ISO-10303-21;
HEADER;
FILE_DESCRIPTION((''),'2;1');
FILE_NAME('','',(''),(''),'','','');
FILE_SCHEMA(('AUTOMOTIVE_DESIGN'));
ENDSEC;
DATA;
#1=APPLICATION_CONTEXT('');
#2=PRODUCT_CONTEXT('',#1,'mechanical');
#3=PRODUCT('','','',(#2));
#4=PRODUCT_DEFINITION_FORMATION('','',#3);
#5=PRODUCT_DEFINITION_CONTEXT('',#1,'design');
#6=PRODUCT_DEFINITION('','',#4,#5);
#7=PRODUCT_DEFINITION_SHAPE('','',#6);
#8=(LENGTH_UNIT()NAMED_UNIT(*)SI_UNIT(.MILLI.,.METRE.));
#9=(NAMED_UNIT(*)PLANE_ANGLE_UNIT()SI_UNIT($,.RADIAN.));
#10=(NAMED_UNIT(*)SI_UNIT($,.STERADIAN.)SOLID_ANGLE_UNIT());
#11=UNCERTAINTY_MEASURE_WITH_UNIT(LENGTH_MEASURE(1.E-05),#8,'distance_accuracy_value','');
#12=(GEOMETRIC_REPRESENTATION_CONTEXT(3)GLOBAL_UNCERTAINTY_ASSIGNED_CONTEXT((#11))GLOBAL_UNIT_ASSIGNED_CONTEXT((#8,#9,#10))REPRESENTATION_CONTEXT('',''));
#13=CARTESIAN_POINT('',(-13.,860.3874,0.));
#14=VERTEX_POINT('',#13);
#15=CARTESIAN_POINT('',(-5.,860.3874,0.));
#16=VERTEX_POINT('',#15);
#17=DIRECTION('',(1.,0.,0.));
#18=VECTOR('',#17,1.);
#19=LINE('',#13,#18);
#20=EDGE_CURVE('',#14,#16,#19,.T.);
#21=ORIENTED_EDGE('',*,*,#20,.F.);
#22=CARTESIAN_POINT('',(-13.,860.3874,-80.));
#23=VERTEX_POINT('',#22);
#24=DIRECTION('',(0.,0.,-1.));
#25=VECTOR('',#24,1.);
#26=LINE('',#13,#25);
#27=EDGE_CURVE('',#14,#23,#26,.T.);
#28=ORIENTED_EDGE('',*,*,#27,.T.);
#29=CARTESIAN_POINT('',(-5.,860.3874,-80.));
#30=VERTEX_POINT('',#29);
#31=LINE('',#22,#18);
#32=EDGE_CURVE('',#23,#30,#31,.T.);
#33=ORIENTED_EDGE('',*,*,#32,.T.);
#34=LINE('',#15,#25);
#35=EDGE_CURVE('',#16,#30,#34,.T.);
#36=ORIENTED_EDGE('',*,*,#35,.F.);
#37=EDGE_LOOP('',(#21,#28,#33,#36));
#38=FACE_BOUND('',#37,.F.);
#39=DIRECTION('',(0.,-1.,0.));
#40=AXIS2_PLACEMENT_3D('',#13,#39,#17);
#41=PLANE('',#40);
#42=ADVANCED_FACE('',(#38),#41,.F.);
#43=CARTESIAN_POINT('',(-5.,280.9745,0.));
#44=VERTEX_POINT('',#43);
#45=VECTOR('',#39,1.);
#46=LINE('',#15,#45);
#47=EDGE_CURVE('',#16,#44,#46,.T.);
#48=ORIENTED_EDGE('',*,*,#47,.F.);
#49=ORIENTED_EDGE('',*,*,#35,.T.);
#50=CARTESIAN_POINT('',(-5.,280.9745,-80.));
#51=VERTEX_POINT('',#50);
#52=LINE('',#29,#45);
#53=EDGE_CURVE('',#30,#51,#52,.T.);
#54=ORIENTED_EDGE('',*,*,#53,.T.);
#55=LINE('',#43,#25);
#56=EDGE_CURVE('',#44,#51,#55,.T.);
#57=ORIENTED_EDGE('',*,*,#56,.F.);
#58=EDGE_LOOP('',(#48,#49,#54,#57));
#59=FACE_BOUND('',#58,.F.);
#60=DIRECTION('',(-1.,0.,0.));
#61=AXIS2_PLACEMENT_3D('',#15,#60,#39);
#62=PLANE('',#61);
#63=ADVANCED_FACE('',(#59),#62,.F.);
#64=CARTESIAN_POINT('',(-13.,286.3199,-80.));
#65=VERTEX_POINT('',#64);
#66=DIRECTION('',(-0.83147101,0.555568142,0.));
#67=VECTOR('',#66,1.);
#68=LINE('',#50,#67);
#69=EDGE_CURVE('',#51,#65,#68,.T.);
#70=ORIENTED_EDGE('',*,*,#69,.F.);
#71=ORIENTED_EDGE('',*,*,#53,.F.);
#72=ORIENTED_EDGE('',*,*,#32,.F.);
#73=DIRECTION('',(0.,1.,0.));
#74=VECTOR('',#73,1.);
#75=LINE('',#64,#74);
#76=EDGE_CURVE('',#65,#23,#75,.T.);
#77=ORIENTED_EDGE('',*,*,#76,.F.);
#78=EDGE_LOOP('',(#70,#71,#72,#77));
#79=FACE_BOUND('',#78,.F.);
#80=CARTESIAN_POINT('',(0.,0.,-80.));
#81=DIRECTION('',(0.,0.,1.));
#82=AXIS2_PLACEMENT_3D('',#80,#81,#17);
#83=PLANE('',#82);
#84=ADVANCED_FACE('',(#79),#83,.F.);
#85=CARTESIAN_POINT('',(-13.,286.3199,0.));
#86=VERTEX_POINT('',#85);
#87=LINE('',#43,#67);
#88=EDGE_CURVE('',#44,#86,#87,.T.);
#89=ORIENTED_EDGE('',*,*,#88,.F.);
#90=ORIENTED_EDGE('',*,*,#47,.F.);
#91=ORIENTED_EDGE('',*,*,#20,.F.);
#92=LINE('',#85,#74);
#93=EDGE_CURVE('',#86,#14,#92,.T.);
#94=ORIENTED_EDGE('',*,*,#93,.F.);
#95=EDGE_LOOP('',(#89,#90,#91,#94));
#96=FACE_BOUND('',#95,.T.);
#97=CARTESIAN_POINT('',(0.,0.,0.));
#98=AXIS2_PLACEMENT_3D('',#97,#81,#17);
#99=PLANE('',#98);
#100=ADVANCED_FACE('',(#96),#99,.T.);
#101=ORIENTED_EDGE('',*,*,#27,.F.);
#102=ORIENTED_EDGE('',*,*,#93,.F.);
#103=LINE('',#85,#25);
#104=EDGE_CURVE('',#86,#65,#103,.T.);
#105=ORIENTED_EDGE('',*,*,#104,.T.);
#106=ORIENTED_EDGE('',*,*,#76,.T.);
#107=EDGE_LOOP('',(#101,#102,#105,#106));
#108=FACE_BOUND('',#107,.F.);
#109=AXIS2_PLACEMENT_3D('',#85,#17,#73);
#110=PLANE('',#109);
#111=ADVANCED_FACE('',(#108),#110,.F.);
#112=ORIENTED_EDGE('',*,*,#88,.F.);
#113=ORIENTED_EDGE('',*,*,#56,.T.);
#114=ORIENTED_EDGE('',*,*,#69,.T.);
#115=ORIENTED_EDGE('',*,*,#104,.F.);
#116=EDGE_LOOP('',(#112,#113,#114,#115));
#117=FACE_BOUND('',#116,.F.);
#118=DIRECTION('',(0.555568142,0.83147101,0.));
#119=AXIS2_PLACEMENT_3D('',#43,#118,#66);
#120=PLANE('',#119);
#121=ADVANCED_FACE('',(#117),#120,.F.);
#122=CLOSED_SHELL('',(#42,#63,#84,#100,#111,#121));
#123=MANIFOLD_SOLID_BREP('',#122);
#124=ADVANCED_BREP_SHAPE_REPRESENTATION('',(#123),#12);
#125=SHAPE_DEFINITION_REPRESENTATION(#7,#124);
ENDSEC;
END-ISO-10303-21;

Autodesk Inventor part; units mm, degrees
ref_plane "YZ Plane" through (0, 0, 0) normal (1, 0, 0) x (0, 1, 0)
ref_plane "XZ Plane" through (0, 0, 0) normal (0, 1, 0) x (-1, 0, 0)
ref_plane "XY Plane" through (0, 0, 0) normal (0, 0, 1) x (1, 0, 0)
sketch "Sketch1" plane through (0, 0, 0) normal (0, 0, 1) x (1, 0, 0)
  line L0 (0, 277.6336) -> (196.3166, 196.3166) construction
  line L1 (196.3166, 196.3166) -> (277.6336, 0) construction
  line L2 (277.6336, 0) -> (196.3166, -196.3166) construction
  line L3 (196.3166, -196.3166) -> (0, -277.6336) construction
  line L4 (0, -277.6336) -> (-196.3166, -196.3166) construction
  line L5 (-196.3166, -196.3166) -> (-277.6336, 0) construction
  line L6 (-277.6336, 0) -> (-196.3166, 196.3166) construction
  line L7 (-196.3166, 196.3166) -> (0, 277.6336) construction
  line L8 (-196.3166, 196.3166) -> (0, 277.6336) construction
  line L9 (-461.2666, 773.8898) -> (-221.0579, 873.3874) construction
  line L10 (-98.1583, 236.9751) -> (-341.1623, 823.6386) construction
  line L11 (-221.0579, 873.3874) -> (0, 873.3874) construction
  line L12 (0, 873.3874) -> (0, 277.6336) construction
  line L13 (-461.2666, 773.8898) -> (-617.5782, 617.5782) construction
  line L14 (-617.5782, 617.5782) -> (-196.3166, 196.3166) construction
  line L15 (-5, 280.9745) -> (-195.1434, 202.2145) construction
  line L16 (-195.1434, 202.2145) -> (-610.5071, 617.5782) construction
  line L17 (-610.5071, 617.5782) -> (-458.4343, 769.651) construction
  line L18 (-458.4343, 769.651) -> (-220.0634, 868.3874) construction
  line L19 (-220.0634, 868.3874) -> (-5, 868.3874) construction
  line L20 (-5, 868.3874) -> (-5, 280.9745) construction
  line L21 (-13, 286.3199) -> (-193.2664, 211.6511) construction
  line L22 (-193.2664, 211.6511) -> (-599.1934, 617.5782) construction
  line L23 (-599.1934, 617.5782) -> (-453.9027, 762.8689) construction
  line L24 (-453.9027, 762.8689) -> (-218.4721, 860.3874) construction
  line L25 (-218.4721, 860.3874) -> (-13, 860.3874) construction
  line L26 (-13, 860.3874) -> (-13, 286.3199) construction
  line L27 (-13, 860.3874) -> (-5, 860.3874)
  line L28 (-5, 860.3874) -> (-5, 280.9745)
  line L29 (-5, 280.9745) -> (-13, 286.3199)
  line L30 (-13, 286.3199) -> (-13, 860.3874)
  point P0 (0, 0)
  point P1 (0, 0)
  point P2 (0, 0)
  dimension "d0" = 513
  dimension "d1" = 260
  dimension "d2" = 635
  dimension "d10" = 5
  dimension "d11" = 8
extrude "Extrusion1" add sketch "Sketch1" against normal blind 80
equation "\"d0\" = Барабан_габарит_по_кассетам"
equation "\"d1\" = Кассета_длина_грани"
equation "\"d2\" = Кассета_высота"
equation "\"Барабан_габарит_по_кассетам\" = 513"
equation "\"Кассета_длина_грани\" = 260"
equation "\"Кассета_высота\" = 635"
properties part number "ДМФ 01 53 Боковая часть"
